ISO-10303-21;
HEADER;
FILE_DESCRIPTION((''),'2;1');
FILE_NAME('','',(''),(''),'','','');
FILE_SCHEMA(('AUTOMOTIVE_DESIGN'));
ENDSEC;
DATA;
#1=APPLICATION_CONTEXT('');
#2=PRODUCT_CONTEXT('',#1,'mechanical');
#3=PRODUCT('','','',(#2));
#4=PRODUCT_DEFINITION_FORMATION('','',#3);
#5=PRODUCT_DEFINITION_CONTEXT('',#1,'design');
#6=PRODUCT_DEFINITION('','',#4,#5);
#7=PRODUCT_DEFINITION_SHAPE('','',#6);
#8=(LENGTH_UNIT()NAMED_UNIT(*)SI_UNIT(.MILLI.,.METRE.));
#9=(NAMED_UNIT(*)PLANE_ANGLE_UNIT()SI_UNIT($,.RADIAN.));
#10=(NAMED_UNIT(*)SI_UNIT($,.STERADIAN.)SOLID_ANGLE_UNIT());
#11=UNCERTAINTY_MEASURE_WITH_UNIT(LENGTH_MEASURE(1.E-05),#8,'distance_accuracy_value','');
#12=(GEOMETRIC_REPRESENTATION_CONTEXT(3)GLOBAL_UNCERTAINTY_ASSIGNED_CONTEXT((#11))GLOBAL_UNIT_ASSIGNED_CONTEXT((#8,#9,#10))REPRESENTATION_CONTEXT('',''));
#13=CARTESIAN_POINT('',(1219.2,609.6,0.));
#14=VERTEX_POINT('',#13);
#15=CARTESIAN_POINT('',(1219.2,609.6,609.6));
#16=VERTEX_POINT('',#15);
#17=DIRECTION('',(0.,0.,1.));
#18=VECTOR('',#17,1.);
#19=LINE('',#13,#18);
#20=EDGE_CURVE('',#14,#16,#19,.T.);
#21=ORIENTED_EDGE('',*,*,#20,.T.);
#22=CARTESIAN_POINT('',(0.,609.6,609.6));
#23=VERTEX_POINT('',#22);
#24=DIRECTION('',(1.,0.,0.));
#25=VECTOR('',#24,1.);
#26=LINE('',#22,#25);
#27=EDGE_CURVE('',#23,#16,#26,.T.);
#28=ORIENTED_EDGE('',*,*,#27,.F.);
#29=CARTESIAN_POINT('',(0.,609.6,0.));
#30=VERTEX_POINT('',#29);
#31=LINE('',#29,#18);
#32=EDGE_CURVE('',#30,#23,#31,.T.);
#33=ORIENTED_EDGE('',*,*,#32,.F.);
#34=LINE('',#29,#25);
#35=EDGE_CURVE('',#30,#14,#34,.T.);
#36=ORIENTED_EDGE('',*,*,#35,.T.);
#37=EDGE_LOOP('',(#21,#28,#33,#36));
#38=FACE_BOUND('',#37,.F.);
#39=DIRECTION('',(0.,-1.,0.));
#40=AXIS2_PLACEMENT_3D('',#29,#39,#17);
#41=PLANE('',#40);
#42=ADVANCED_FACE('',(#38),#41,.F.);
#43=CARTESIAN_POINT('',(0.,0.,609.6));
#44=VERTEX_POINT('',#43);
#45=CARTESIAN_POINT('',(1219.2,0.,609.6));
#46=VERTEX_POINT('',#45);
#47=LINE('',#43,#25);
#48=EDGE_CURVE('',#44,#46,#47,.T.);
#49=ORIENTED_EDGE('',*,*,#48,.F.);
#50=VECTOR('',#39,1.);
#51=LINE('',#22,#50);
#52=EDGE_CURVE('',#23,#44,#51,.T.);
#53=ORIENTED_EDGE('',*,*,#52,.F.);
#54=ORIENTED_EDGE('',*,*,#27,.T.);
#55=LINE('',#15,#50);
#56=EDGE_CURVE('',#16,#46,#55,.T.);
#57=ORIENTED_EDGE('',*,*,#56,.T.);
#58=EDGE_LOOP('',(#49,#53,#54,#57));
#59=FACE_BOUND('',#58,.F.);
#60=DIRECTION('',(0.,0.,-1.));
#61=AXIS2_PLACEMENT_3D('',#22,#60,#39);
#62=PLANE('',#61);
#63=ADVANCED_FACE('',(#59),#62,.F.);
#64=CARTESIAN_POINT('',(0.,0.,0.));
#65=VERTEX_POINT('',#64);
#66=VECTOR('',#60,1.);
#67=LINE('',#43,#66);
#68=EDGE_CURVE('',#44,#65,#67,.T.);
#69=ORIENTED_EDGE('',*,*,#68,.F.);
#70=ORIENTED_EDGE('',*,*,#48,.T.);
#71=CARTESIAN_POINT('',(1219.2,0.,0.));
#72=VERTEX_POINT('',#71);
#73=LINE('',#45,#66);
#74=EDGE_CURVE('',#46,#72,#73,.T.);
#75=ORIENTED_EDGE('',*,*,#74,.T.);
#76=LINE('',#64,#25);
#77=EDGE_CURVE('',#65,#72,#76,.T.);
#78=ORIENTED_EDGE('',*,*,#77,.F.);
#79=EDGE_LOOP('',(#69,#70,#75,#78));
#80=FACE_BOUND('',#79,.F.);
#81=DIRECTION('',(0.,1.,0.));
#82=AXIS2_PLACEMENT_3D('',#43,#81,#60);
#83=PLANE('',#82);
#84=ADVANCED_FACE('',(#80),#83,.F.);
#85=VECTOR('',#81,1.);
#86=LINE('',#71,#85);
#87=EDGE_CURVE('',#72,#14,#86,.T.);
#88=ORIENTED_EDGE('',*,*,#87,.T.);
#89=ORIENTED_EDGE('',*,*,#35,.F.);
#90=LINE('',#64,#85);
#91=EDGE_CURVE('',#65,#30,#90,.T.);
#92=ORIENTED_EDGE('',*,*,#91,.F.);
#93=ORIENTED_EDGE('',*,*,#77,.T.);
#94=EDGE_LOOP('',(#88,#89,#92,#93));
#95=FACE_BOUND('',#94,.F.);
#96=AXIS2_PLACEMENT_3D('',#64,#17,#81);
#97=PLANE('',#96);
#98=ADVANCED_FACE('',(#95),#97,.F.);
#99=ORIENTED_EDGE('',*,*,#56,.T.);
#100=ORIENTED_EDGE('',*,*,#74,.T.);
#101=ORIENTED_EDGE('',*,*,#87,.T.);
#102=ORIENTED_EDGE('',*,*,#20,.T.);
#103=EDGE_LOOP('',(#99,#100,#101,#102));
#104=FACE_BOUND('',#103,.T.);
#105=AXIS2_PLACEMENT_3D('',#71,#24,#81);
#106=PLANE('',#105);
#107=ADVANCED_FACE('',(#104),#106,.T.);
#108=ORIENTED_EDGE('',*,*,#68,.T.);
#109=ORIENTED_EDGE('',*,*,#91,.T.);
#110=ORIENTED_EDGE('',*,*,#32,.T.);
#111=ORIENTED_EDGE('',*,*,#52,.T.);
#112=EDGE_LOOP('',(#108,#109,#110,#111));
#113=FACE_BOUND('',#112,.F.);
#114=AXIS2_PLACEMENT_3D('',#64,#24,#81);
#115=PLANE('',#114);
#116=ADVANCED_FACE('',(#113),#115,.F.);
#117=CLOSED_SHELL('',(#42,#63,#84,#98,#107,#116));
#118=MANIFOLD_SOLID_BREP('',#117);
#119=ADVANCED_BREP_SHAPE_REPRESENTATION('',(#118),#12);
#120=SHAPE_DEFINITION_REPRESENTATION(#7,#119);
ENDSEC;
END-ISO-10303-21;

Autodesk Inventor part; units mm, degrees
ref_plane "YZ Plane" through (0, 0, 0) normal (1, 0, 0) x (0, 1, 0)
ref_plane "XZ Plane" through (0, 0, 0) normal (0, 1, 0) x (-1, 0, 0)
ref_plane "XY Plane" through (0, 0, 0) normal (0, 0, 1) x (1, 0, 0)
sketch "Sketch1" plane through (0, 0, 0) normal (1, 0, 0) x (0, 1, 0)
  line L0 (0, 0) -> (609.6, 0)
  line L1 (609.6, 0) -> (609.6, 609.6)
  line L2 (609.6, 609.6) -> (0, 609.6)
  line L3 (0, 609.6) -> (0, 0)
  dimension "d0" = 609.6
  dimension "d1" = 609.6
extrude "Extrusion1" add sketch "Sketch1" along normal blind 1219.2
properties part number "24x24x48" material "Limestone"
